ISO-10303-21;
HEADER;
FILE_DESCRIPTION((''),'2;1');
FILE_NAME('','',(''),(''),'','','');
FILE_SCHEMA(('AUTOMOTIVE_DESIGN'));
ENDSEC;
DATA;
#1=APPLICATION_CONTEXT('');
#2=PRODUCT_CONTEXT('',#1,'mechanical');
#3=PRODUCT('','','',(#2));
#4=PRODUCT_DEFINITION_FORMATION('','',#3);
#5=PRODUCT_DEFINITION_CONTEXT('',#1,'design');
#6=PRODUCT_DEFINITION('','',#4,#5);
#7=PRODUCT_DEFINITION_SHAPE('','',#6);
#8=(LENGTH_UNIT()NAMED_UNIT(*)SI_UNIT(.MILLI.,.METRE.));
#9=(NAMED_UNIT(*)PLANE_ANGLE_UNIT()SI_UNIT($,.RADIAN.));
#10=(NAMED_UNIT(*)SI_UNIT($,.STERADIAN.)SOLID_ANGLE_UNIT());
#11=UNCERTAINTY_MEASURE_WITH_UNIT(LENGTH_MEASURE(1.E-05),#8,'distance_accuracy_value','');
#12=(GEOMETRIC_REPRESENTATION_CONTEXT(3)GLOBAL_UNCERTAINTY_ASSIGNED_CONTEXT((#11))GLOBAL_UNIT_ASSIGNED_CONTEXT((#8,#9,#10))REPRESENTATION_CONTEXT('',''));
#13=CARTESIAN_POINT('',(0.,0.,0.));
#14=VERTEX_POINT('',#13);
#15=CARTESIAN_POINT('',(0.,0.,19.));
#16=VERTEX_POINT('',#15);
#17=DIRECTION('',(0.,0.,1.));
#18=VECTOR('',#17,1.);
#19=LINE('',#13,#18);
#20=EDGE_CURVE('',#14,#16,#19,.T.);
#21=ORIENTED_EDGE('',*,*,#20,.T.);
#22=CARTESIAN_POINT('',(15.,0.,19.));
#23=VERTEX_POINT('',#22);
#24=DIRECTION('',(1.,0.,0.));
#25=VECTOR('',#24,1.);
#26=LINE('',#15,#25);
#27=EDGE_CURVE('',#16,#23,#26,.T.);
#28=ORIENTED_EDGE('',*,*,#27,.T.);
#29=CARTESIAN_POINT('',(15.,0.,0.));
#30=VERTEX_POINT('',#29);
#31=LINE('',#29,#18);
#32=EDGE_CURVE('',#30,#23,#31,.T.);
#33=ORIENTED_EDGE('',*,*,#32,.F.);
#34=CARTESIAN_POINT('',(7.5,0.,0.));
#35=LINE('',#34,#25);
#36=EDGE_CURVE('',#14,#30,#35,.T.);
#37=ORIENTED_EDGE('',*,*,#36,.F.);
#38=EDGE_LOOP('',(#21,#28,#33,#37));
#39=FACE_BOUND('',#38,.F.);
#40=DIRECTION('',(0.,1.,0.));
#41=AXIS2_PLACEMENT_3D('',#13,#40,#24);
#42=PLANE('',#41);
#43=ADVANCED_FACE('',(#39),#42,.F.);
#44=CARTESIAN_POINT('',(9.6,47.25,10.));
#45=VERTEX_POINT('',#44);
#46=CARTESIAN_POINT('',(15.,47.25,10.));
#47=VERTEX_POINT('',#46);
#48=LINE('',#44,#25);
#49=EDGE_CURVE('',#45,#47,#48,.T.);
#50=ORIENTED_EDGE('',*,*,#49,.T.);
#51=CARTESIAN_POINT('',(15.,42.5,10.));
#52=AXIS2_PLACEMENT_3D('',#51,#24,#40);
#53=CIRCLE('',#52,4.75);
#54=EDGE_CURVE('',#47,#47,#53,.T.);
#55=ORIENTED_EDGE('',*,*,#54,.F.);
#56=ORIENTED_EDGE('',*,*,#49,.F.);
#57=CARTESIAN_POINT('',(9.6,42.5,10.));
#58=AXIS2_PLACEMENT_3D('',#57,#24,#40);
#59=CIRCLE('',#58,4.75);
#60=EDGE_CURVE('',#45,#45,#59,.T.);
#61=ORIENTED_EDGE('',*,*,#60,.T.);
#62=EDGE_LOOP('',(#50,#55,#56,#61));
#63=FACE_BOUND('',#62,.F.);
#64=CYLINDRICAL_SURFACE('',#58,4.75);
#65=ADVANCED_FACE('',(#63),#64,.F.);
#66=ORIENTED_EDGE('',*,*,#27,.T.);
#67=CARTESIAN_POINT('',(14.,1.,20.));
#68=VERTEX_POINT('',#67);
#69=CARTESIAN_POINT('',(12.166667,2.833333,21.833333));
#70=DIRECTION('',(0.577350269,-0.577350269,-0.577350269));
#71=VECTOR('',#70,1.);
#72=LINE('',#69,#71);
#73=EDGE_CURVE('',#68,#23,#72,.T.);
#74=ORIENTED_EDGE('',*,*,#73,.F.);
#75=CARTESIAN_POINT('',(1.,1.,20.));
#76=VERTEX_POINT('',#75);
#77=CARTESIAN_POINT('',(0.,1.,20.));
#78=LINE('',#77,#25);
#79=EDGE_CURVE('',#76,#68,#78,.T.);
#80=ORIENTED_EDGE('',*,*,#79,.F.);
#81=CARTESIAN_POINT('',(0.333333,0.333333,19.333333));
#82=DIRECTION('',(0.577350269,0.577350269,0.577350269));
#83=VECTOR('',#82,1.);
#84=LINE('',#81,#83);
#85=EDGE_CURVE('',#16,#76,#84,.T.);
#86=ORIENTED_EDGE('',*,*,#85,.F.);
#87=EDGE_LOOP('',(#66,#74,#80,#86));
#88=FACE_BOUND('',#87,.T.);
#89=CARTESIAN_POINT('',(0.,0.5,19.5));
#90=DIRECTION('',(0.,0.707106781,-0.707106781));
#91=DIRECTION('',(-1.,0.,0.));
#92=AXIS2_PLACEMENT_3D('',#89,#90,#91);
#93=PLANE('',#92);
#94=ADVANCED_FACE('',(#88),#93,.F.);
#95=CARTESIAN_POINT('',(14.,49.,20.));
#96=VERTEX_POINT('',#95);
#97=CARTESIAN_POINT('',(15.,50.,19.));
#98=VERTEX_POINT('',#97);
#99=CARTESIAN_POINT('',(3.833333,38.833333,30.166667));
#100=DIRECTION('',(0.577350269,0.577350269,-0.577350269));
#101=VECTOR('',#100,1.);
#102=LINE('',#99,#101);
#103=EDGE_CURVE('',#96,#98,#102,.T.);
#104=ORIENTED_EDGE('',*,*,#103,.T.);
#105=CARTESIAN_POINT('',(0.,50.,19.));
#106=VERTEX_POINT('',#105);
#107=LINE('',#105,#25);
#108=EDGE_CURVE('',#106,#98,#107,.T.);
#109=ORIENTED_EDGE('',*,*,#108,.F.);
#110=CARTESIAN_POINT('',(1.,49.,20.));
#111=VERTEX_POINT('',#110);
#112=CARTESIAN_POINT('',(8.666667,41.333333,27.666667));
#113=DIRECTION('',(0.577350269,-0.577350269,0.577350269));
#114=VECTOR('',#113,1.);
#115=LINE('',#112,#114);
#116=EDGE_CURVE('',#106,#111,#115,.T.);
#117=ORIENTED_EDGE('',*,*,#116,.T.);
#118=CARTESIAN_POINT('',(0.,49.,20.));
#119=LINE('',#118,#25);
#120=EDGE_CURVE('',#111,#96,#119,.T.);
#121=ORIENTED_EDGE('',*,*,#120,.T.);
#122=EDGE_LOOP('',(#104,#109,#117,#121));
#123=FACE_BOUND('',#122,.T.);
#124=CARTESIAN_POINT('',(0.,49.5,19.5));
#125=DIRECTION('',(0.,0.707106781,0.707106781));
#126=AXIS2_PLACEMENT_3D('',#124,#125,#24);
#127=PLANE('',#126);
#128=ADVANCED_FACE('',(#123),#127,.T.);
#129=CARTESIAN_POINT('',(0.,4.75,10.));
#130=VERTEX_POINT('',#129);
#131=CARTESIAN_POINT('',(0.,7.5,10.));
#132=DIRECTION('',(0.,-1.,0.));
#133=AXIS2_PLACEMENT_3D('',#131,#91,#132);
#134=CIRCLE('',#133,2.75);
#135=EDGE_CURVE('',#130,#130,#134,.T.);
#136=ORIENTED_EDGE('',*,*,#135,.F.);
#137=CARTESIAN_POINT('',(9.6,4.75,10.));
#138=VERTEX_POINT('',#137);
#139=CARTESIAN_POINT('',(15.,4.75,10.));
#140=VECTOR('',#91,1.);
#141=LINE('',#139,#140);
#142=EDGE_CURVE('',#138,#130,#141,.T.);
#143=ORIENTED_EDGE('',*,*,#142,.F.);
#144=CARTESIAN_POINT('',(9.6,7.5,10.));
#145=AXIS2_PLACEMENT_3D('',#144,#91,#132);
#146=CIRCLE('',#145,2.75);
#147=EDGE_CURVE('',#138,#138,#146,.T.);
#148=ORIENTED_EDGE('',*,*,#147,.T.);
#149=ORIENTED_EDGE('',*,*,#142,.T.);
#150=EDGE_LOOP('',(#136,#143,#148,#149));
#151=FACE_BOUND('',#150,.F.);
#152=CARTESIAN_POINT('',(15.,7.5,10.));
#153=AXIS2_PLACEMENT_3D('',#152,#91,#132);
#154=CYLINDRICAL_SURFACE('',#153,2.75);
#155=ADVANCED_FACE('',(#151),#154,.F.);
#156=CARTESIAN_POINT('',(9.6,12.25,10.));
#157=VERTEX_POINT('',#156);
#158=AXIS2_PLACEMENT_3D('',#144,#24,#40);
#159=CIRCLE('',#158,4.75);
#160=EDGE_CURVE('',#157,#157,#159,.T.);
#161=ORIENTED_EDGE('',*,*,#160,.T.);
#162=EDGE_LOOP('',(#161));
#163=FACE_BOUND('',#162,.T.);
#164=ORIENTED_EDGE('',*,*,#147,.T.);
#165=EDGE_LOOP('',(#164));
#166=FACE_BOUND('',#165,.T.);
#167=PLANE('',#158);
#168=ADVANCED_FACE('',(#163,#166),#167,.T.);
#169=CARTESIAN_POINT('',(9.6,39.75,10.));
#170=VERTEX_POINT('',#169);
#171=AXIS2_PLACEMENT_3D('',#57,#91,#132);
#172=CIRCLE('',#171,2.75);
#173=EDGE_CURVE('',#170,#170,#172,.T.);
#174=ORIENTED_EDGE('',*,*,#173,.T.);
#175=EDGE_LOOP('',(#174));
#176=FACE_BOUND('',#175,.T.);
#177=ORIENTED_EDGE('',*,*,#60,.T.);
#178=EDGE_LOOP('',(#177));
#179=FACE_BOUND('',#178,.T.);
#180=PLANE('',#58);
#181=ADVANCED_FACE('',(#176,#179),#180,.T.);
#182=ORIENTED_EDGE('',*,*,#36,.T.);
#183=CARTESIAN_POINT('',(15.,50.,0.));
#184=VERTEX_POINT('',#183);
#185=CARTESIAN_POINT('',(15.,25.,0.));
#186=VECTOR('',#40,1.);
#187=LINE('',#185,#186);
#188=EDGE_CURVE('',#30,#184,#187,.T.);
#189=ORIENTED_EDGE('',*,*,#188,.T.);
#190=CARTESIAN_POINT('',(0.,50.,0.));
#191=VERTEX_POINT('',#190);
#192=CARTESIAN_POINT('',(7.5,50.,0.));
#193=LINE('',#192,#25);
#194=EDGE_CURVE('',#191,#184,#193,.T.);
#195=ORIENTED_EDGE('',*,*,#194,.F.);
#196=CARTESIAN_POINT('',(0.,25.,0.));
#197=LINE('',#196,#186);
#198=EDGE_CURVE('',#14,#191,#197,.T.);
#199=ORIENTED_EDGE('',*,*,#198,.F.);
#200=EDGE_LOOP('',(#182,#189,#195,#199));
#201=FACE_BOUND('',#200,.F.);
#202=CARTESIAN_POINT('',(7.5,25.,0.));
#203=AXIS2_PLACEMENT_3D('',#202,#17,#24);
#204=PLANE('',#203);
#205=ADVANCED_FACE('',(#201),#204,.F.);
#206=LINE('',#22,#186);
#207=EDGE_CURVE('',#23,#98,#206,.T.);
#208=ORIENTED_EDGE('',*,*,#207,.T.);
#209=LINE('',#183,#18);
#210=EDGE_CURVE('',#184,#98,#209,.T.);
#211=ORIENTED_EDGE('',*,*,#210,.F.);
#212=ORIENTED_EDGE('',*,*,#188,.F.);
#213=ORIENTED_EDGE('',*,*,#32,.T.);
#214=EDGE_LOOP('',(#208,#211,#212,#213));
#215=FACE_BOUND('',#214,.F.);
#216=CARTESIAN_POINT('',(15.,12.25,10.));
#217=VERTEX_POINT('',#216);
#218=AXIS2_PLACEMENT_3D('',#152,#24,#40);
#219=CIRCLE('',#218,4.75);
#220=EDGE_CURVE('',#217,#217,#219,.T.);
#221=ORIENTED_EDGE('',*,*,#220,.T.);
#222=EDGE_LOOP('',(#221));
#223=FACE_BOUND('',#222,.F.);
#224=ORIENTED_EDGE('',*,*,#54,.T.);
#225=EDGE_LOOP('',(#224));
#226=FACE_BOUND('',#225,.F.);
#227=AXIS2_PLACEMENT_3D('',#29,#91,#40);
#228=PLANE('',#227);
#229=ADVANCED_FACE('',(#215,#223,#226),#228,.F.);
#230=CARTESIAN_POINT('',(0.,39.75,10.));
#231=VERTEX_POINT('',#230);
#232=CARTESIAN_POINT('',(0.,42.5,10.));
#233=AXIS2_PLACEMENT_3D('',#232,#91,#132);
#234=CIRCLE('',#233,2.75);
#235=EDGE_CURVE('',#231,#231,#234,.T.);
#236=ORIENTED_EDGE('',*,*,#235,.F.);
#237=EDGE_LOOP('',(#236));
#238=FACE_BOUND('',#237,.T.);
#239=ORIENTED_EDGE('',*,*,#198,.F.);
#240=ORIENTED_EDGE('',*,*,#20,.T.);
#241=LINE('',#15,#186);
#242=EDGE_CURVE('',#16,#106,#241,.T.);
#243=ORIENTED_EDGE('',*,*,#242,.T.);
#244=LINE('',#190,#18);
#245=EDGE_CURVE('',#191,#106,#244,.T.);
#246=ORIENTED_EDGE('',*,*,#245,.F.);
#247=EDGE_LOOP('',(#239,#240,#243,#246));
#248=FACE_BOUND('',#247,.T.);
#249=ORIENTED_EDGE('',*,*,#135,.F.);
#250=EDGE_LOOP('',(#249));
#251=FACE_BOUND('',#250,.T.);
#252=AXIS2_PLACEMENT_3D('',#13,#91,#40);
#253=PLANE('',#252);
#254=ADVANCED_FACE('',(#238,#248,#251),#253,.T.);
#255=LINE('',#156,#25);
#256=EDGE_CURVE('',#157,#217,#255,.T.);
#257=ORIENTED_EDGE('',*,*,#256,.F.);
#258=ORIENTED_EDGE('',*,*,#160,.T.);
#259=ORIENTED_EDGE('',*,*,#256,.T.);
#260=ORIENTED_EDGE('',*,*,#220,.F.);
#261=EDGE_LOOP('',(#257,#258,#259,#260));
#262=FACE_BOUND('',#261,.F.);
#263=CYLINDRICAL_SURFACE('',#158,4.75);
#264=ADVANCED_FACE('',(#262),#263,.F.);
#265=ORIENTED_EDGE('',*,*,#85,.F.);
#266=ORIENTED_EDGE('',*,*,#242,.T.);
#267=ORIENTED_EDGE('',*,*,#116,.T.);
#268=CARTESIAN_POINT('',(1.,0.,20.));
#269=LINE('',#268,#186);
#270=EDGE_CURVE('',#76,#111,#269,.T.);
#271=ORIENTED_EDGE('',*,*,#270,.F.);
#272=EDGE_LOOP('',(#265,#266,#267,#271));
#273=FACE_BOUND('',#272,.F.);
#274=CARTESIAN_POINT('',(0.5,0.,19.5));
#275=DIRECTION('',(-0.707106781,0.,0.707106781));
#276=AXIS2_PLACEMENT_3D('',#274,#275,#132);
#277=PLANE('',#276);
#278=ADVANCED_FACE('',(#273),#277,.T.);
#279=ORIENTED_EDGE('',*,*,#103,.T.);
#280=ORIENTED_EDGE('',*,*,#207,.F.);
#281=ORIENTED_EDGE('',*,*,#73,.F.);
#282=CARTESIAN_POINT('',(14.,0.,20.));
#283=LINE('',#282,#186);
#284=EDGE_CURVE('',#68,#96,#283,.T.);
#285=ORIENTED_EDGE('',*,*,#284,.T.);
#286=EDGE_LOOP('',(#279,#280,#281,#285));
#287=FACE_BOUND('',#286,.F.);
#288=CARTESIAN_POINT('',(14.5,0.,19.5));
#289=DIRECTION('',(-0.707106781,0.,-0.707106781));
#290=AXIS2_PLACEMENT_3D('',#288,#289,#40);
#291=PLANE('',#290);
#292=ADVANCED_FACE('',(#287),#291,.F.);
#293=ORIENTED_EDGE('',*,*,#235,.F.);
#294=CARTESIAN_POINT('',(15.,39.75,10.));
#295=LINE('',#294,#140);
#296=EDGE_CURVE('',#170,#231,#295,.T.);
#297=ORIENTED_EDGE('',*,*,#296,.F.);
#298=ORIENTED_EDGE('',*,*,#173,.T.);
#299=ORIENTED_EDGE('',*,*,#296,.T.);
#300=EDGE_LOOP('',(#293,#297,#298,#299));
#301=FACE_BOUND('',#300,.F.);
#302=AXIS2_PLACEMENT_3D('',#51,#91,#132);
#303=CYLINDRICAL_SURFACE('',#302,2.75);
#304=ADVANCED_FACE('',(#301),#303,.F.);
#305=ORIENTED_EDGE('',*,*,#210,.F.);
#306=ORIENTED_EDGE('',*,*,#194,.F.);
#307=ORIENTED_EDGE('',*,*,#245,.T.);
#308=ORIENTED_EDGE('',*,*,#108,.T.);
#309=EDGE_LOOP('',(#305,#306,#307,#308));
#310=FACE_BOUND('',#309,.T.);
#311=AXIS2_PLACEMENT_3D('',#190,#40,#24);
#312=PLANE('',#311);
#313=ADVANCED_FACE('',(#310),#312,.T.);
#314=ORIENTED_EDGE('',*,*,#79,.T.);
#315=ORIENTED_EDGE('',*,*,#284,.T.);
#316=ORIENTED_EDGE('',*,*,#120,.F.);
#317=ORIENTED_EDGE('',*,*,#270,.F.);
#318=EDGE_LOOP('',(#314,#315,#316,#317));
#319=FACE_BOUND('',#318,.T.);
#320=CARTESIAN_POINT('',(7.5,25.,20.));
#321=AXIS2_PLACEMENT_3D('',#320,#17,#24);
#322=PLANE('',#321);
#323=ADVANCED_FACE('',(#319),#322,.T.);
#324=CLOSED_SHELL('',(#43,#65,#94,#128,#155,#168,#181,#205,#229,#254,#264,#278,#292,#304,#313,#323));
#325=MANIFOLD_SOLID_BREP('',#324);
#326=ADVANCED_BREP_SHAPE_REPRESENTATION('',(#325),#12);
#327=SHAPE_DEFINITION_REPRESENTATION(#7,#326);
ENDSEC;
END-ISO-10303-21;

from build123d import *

# Parameters (mm, degrees)
F0_W           = 15
F0_H           = 50
F1_DEPTH       = 20
F3_D           = 5.5
F3_CBORE_D     = 9.5
F3_CBORE_DEPTH = 5.4
F4_SIZE        = 1


with BuildPart() as f1:
    # F0 (on Top) → F1 (new body)
    with BuildSketch(Plane.XY):
        with Locations((7.5, 25)):
            Rectangle(F0_W, F0_H)
    extrude(amount=F1_DEPTH)

    # F3 (through all)
    with Locations(Plane.YZ.offset(15)):
        with Locations((7.5, 10), (42.5, 10)):
            CounterBoreHole(F3_D / 2, F3_CBORE_D / 2, F3_CBORE_DEPTH)

    # F4
    f4_edges = [f1.edges().sort_by_distance(p)[0] for p in [
        (15, 25, 20),
        (7.5, 0, 20),
        (0, 25, 20),
        (7.5, 50, 20),
    ]]
    chamfer(f4_edges, length=F4_SIZE)


solid = f1.part
